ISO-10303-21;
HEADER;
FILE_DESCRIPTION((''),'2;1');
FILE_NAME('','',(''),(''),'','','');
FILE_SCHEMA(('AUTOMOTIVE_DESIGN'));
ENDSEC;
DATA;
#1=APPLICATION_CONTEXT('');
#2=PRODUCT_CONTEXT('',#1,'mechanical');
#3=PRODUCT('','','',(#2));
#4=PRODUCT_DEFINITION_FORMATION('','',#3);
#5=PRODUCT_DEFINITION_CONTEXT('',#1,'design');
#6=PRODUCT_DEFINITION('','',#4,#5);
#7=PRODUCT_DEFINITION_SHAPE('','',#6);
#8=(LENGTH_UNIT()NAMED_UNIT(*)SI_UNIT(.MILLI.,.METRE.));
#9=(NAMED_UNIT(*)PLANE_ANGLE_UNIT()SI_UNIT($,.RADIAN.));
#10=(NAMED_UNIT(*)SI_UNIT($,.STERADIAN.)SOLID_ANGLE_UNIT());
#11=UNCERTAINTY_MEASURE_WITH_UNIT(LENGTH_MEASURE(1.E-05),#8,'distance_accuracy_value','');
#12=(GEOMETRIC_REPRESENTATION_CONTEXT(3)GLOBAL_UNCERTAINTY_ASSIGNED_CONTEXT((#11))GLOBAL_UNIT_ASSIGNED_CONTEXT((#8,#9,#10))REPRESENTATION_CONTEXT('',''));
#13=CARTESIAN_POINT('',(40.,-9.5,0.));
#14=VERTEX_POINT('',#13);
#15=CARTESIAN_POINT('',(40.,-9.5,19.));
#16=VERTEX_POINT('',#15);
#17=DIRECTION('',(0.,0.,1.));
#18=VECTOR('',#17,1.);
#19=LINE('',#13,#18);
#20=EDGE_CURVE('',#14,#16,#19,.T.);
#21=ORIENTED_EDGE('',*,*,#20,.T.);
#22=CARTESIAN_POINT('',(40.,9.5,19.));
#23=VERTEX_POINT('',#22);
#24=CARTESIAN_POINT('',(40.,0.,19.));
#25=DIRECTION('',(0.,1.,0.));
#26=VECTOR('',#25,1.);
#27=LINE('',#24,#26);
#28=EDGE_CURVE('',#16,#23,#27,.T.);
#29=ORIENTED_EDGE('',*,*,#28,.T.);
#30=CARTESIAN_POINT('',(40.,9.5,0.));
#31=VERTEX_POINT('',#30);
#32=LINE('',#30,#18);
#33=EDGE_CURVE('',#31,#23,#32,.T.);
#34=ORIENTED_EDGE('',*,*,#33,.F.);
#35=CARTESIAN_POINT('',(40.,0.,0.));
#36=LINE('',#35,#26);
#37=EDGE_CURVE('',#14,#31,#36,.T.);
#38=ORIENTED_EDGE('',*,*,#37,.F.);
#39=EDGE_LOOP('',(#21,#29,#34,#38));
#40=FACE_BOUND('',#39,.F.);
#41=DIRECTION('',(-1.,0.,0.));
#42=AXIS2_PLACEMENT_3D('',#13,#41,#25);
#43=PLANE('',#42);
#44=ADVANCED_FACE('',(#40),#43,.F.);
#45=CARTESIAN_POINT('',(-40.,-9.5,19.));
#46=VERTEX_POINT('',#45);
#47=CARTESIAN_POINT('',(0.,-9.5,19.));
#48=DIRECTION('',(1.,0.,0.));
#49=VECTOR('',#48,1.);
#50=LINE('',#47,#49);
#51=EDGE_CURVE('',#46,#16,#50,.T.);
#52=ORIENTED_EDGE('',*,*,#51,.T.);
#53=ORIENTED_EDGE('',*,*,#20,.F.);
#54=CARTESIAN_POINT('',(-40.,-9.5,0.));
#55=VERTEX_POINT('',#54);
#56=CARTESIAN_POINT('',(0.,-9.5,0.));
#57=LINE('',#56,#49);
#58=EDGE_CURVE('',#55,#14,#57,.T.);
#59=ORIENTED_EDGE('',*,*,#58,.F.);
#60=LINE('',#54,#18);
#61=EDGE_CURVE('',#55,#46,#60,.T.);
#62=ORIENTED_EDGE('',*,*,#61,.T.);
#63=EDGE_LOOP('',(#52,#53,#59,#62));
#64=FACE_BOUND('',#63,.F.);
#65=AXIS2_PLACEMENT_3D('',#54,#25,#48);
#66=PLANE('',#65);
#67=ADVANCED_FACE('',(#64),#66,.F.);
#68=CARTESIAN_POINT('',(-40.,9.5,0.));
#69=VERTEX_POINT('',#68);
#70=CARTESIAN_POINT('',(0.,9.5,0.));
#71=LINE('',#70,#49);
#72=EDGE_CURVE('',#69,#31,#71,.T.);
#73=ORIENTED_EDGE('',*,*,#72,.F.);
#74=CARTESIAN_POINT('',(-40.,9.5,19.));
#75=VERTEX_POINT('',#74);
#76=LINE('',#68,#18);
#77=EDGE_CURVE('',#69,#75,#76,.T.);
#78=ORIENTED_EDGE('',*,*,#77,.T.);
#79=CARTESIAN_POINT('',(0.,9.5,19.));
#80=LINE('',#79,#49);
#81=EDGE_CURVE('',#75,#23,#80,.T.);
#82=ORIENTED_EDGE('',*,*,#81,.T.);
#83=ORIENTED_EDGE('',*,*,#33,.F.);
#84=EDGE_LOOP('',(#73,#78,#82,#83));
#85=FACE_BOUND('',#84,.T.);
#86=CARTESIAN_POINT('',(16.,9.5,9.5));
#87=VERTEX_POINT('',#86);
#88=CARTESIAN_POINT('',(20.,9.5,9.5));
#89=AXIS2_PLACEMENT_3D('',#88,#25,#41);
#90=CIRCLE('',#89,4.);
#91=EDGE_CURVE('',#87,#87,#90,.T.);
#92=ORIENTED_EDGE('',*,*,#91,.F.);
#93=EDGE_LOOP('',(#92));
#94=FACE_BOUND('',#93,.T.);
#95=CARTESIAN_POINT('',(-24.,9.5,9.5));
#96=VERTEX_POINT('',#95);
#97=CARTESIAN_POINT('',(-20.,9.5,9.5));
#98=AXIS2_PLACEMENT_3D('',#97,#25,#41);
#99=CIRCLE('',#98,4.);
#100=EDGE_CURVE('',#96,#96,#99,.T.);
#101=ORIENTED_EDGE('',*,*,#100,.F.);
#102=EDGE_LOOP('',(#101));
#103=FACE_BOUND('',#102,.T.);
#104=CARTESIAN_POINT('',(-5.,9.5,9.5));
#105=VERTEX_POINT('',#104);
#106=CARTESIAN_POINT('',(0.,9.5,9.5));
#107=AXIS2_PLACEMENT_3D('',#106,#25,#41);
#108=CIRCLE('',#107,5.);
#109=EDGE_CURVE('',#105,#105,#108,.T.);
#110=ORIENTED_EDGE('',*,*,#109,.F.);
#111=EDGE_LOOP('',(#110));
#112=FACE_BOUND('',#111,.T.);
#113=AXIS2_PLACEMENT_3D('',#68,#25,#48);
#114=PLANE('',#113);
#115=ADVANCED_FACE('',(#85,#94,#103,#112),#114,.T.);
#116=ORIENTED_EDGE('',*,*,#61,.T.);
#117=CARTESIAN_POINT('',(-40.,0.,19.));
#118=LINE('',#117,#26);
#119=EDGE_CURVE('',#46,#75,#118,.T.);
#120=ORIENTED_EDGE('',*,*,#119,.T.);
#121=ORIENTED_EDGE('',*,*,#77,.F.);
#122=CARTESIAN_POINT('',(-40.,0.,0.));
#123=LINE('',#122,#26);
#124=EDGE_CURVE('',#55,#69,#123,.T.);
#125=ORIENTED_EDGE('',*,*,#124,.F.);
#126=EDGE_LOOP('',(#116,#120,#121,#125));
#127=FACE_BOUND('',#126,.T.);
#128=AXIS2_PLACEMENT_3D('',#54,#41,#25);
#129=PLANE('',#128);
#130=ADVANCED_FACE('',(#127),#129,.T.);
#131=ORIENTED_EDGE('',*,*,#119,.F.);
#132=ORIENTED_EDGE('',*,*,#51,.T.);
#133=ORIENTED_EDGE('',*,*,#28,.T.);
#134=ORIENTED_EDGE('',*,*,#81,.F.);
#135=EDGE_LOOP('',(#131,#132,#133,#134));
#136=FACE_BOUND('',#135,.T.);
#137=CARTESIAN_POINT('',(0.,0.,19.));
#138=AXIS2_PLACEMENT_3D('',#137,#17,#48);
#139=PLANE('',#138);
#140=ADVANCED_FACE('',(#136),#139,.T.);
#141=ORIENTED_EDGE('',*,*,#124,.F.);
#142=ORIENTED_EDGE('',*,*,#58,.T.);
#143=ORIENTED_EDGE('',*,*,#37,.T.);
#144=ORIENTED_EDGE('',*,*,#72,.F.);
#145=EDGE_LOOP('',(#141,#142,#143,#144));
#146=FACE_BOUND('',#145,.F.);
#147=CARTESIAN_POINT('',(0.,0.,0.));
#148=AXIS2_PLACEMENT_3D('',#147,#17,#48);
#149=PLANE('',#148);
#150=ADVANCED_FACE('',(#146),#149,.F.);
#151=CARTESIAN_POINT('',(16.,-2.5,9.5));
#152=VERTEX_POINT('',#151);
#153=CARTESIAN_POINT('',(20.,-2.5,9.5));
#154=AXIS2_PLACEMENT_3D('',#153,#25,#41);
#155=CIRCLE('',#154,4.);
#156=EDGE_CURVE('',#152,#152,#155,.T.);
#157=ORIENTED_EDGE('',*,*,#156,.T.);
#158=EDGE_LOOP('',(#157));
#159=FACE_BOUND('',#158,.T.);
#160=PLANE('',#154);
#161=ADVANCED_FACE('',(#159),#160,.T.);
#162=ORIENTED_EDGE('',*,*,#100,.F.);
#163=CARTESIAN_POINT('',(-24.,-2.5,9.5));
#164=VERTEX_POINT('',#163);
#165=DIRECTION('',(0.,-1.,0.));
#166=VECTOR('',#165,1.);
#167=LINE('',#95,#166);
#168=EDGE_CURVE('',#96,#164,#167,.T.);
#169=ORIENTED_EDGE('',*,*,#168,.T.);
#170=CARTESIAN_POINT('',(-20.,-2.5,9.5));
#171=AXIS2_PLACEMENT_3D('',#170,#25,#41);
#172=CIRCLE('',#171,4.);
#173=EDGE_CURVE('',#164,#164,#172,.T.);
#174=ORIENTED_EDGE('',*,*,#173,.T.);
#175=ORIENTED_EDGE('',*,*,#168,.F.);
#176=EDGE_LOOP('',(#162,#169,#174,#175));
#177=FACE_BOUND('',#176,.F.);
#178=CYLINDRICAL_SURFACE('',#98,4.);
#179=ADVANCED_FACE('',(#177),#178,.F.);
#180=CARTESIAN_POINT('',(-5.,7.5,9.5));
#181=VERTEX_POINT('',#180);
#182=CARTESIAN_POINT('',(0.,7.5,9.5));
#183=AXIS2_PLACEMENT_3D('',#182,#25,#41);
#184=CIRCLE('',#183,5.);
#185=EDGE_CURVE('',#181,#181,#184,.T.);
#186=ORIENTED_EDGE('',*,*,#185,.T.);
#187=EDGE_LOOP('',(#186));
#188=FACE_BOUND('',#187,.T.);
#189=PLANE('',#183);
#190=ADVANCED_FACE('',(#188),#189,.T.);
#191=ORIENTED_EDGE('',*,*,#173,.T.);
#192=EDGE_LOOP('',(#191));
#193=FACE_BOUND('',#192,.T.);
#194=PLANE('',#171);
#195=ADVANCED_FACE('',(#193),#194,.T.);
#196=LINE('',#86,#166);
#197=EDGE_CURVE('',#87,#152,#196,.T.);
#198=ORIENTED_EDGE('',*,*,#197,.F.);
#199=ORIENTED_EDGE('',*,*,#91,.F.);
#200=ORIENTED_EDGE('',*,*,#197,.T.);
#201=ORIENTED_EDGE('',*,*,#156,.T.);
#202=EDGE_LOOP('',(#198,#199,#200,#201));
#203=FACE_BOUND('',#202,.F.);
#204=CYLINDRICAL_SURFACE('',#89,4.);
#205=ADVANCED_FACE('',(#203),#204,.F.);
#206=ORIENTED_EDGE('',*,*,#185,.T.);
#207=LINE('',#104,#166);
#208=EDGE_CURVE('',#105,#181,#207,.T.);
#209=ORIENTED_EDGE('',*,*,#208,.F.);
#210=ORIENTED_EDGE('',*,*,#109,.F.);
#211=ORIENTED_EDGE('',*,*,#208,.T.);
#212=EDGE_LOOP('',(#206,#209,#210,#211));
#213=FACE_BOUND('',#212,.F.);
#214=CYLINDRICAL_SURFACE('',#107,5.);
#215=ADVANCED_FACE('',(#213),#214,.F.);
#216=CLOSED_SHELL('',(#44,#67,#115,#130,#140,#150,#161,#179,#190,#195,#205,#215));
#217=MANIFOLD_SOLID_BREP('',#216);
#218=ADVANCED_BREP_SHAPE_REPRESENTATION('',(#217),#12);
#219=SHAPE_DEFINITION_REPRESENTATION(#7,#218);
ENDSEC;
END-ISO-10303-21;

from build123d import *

# Parameters (mm, degrees)
F0_W     = 80
F0_H     = 19
F1_DEPTH = 19
F2_R     = 4
F3_DEPTH = 12
F2_R_2   = 5
F4_DEPTH = 2


with BuildPart() as f1:
    # F0 (on Top) → F1 (new body)
    with BuildSketch(Plane.XY):
        Rectangle(F0_W, F0_H)
    extrude(amount=F1_DEPTH)

    # F2 (on face) → F3 (cut)
    with BuildSketch(Plane(origin=(0, 9.5, 0), x_dir=(-1, 0, 0), z_dir=(0, 1, 0))):
        with Locations((20, 9.5)):
            Circle(F2_R)
        with Locations((-20, 9.5)):
            Circle(F2_R)
    extrude(amount=-F3_DEPTH, mode=Mode.SUBTRACT)

    # F2 (on face) → F4 (cut)
    with BuildSketch(Plane(origin=(0, 9.5, 0), x_dir=(-1, 0, 0), z_dir=(0, 1, 0))):
        with Locations((0, 9.5)):
            Circle(F2_R_2)
    extrude(amount=-F4_DEPTH, mode=Mode.SUBTRACT)


solid = f1.part
